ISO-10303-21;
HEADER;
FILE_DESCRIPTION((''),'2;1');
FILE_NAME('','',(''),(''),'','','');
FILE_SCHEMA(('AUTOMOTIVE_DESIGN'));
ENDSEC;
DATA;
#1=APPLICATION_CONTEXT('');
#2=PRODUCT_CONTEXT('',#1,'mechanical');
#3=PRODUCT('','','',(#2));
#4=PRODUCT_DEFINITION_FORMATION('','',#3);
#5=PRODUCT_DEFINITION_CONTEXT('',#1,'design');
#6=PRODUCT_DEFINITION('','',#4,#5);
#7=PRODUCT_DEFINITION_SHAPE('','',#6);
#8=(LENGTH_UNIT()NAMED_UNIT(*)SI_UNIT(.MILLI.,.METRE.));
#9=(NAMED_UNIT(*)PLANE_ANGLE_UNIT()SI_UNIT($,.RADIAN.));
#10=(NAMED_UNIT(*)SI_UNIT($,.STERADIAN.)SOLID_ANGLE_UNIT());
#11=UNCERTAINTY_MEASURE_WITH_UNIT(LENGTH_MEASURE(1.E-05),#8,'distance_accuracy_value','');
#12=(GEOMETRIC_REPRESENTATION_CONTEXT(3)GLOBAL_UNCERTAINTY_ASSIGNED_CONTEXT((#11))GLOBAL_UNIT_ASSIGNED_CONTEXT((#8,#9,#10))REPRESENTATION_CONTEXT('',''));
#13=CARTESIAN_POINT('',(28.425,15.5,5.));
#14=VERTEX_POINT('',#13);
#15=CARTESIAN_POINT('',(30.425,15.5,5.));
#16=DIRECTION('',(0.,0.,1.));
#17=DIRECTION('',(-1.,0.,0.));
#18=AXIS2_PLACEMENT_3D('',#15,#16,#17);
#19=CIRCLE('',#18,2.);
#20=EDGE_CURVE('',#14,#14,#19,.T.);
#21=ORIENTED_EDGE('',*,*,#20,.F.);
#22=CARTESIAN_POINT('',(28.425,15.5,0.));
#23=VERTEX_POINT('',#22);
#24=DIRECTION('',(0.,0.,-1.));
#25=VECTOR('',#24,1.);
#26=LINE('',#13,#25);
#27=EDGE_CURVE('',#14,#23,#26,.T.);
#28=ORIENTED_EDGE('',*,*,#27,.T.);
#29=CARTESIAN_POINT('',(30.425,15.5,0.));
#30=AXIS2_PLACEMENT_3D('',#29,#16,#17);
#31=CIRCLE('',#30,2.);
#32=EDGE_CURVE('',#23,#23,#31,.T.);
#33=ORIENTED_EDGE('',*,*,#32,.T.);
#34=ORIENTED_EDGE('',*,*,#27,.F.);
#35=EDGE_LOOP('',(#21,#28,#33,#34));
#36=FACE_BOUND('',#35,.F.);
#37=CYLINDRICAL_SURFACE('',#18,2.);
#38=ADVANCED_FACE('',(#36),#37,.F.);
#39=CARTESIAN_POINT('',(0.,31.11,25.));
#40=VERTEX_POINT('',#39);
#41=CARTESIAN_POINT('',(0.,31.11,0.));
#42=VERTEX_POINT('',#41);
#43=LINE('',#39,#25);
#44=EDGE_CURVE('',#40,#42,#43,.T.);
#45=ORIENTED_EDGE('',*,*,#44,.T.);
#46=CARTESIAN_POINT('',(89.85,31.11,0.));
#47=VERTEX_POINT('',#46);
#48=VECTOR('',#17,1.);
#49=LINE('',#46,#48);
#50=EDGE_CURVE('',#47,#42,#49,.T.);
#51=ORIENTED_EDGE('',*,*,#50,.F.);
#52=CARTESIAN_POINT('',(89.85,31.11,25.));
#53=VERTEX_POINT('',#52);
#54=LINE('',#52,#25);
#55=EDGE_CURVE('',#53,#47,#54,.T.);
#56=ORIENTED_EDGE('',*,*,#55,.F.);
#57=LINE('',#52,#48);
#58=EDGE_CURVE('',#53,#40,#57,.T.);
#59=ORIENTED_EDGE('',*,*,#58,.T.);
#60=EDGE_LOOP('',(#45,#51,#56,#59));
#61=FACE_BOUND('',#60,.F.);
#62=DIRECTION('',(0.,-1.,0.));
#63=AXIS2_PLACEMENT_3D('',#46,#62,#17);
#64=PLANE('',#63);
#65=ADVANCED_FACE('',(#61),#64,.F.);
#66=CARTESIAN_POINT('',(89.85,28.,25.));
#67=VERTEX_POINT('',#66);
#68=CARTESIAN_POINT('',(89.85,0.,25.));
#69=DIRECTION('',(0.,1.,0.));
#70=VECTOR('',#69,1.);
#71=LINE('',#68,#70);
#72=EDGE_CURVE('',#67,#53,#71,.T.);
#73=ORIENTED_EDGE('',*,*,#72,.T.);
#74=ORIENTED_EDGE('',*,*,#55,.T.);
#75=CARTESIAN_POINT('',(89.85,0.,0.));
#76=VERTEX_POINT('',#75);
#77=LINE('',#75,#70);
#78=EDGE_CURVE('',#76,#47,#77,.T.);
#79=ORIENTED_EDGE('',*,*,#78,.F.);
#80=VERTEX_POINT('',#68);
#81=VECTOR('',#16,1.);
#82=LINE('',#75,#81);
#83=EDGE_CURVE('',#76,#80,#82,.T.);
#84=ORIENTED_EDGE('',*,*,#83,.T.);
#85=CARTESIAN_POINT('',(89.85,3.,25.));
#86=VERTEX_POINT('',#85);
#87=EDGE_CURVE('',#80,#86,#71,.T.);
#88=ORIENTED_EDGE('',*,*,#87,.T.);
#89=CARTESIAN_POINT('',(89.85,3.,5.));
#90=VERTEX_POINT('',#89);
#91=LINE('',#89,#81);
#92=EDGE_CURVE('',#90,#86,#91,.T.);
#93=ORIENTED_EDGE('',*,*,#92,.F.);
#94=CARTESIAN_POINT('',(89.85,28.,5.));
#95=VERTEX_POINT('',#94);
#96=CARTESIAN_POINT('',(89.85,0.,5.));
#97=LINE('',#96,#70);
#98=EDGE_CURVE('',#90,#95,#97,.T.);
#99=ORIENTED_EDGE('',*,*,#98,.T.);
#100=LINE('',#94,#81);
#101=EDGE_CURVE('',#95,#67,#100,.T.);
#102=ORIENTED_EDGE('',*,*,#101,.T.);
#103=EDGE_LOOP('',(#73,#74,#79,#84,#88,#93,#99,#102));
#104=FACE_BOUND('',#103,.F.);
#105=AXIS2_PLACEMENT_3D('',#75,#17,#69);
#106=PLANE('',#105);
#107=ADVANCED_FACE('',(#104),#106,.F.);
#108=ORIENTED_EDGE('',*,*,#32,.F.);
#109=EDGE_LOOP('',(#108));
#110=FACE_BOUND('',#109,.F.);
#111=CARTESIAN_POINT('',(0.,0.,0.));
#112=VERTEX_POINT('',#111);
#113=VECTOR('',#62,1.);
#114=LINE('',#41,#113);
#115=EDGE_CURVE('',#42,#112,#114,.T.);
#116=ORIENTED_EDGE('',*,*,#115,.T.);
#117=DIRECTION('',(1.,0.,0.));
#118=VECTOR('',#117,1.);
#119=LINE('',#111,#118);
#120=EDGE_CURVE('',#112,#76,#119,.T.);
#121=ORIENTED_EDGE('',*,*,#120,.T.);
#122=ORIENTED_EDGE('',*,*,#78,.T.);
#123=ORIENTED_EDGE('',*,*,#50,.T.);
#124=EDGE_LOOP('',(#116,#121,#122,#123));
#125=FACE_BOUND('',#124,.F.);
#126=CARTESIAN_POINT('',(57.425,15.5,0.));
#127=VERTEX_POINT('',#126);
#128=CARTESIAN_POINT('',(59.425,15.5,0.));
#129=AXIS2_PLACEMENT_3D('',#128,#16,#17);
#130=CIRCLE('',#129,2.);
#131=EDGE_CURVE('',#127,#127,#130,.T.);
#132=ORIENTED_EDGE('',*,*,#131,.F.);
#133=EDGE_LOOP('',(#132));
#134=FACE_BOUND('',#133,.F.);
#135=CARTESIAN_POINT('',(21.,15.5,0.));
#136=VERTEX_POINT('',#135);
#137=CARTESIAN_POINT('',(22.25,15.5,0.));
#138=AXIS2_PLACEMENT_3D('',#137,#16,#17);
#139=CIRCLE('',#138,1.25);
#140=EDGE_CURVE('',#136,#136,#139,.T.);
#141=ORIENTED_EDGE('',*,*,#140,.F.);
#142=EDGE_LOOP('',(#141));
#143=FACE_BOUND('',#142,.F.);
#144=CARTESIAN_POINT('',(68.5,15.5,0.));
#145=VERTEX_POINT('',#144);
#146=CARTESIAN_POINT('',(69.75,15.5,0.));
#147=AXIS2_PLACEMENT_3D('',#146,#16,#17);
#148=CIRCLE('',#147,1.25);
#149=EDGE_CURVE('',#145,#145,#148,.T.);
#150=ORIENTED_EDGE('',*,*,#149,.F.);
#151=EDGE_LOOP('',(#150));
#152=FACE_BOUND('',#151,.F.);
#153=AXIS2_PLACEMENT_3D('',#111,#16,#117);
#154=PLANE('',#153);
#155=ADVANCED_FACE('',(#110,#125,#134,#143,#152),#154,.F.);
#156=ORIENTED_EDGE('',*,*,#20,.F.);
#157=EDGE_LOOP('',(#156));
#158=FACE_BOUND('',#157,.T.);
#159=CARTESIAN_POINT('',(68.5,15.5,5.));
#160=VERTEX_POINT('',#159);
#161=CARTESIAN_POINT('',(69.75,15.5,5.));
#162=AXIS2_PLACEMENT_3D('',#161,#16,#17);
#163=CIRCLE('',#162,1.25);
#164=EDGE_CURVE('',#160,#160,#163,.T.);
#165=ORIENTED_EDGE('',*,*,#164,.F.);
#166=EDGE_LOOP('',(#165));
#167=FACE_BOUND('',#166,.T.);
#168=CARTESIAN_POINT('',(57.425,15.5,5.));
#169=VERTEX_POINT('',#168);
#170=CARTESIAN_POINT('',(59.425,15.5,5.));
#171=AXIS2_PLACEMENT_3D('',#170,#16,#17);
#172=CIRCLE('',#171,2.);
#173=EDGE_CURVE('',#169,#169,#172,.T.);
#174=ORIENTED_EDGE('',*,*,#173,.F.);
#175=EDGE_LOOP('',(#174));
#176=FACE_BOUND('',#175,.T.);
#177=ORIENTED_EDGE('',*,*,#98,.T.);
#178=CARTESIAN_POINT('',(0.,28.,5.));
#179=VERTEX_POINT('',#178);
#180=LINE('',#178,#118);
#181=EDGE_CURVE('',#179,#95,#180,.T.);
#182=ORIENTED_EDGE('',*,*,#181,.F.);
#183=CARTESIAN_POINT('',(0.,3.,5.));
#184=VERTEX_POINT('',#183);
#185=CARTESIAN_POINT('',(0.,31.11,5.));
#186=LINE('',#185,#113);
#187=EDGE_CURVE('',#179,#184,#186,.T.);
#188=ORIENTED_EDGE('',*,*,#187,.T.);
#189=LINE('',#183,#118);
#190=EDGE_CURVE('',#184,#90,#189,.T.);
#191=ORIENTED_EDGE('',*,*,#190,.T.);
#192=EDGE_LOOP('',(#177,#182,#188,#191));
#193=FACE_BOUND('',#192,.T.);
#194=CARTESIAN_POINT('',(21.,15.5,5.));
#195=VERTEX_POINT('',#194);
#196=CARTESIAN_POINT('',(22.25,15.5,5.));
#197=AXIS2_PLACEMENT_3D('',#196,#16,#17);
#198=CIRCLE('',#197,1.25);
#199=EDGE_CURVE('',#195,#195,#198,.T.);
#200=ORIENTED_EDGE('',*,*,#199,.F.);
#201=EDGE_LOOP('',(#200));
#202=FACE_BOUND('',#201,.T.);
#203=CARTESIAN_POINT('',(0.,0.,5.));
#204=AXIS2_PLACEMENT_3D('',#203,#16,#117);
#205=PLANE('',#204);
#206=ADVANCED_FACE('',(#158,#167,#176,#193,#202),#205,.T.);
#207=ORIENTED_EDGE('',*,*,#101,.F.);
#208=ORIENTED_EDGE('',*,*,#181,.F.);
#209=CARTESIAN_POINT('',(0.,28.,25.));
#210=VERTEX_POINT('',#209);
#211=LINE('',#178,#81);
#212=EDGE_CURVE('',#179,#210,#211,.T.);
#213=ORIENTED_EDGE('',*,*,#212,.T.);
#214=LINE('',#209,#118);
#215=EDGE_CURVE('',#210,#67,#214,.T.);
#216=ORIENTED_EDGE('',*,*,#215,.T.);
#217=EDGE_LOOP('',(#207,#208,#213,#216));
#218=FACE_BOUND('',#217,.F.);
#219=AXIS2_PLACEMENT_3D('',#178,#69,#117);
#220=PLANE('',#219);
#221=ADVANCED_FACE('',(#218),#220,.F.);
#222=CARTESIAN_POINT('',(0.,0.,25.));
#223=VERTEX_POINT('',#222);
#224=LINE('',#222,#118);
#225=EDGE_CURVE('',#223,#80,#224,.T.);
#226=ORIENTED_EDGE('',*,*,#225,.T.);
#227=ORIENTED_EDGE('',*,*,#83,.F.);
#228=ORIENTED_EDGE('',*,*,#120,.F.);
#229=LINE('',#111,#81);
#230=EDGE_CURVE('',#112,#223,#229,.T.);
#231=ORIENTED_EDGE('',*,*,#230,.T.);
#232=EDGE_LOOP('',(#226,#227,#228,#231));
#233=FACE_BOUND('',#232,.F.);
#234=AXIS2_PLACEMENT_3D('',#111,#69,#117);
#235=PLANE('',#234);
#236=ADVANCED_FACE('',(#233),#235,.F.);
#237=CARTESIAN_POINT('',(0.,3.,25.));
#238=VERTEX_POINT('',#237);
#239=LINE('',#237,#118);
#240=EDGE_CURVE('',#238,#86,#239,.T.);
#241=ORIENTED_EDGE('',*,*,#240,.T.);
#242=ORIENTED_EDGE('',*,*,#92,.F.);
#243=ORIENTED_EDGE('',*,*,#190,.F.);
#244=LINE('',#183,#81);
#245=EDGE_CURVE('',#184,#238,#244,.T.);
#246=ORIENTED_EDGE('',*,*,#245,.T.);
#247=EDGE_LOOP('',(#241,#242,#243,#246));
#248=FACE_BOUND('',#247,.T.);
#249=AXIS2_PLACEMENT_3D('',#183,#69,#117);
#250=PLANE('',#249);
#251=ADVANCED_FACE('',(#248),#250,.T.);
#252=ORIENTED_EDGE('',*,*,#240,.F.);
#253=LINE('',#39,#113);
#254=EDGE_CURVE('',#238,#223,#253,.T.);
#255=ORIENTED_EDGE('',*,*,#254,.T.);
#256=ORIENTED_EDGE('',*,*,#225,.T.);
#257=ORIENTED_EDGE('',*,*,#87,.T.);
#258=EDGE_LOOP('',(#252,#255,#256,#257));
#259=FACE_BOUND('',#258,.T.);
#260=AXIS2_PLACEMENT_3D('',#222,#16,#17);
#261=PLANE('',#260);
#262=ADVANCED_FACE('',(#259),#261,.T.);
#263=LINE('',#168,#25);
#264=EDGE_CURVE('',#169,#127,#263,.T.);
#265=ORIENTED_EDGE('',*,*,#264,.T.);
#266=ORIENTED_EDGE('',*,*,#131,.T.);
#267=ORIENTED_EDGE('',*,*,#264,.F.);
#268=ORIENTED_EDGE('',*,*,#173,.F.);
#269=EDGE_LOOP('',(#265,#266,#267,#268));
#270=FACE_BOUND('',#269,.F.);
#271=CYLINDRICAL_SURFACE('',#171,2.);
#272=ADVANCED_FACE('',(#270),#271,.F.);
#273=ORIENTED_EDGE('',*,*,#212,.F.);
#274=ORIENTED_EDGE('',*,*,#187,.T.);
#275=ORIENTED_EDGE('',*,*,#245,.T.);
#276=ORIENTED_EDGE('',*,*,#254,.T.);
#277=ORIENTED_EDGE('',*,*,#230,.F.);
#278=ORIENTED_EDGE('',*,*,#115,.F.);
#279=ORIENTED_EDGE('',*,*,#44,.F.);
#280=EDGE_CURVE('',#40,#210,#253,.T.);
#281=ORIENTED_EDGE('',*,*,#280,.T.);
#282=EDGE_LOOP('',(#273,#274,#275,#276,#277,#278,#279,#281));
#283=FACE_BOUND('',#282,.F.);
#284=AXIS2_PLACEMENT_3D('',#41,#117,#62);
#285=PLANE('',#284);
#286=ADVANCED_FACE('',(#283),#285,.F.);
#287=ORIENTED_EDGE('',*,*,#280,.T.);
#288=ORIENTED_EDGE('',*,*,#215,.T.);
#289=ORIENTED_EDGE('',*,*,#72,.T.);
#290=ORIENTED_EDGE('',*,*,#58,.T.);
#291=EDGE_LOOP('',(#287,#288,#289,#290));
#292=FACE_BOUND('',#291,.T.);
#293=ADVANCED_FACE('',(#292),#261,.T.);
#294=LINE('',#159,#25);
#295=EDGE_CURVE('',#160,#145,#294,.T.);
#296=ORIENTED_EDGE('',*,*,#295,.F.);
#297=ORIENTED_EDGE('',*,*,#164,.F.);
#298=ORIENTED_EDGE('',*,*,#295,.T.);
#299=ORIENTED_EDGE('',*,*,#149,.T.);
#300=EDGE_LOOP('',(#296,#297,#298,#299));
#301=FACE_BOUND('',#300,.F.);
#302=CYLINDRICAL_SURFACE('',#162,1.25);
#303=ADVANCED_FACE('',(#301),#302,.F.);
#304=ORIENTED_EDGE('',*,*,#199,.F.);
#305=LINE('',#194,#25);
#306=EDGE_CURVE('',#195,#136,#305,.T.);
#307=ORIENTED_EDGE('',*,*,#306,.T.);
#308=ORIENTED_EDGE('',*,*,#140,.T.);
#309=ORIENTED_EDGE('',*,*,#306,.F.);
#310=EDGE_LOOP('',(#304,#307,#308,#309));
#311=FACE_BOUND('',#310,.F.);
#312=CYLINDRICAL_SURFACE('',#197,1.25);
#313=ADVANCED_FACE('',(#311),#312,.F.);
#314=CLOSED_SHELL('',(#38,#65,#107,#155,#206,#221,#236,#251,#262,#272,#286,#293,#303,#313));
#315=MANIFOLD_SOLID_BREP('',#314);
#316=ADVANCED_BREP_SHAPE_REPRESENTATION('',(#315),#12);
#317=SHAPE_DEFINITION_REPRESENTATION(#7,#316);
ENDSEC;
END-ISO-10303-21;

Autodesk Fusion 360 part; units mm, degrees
sketch "Sketch1" plane through (0, 0, 0) normal (0, 0, 1) x (1, 0, 0) in component "Mount"
  line L0 (0, 0) -> (89.85, 0)
  line L1 (89.85, 0) -> (89.85, 31.11)
  line L2 (89.85, 31.11) -> (0, 31.11)
  line L3 (0, 31.11) -> (0, 0)
  dimension "d1" = 89.85
  dimension "d2" = 31.11
extrude "Extrude1" add sketch "Sketch1" along normal blind 5 in component "Mount"
sketch "Sketch2" plane through (0, 0, 5) normal (0, 0, 1) x (-1, 0, 0) in component "Mount"
  line L0 (0, -31.11) -> (0, 0)
  line L1 (0, 0) -> (-89.85, 0)
  line L2 (-89.85, 0) -> (-89.85, -31.11)
  line L3 (-89.85, -31.11) -> (0, -31.11)
  line L4 (-44.925, -31.11) -> (-44.925, -28.11) construction
  line L5 (-44.925, 0) -> (-44.925, -3) construction
  line L6 (0, -3) -> (-89.85, -3)
  line L7 (0, -28) -> (-89.85, -28)
  dimension "d5" = 3
  dimension "d6" = 3
extrude "Extrude2" add sketch "Sketch2" along normal blind 20 contours L0 L2 L3 L7 | L0 L1 L2 L6 in component "Mount"
sketch "Sketch3" plane through (0, 0, 5) normal (0, 0, 1) x (-1, 0, 0) in component "Mount"
  line L0 (0, -3) -> (-89.85, -3)
  line L1 (-89.85, -3) -> (-89.85, -28)
  line L2 (-89.85, -28) -> (0, -28)
  line L3 (0, -28) -> (0, -3)
  line L4 (-44.925, -28) -> (-44.925, -3) construction
  line L5 (-89.85, -15.5) -> (0, -15.5) construction
  line L6 (-44.925, -15.5) -> (-63.425, -15.5) construction
  line L7 (-44.925, -15.5) -> (-26.425, -15.5) construction
  line L8 (-63.425, -15.5) -> (-59.425, -15.5) construction
  line L9 (-26.425, -15.5) -> (-30.425, -15.5) construction
  circle A0 centre (-30.425, -15.5) radius 4 construction
  circle A1 centre (-59.425, -15.5) radius 4 construction
  line L10 (0, -15.5) -> (-21, -15.5) construction
  line L11 (-21, -15.5) -> (-22.25, -15.5) construction
  circle A2 centre (-22.25, -15.5) radius 1.25
  line L12 (-23.5, -15.5) -> (-68.5, -15.5) construction
  line L13 (-68.5, -15.5) -> (-69.75, -15.5) construction
  circle A3 centre (-69.75, -15.5) radius 1.25
  circle A4 centre (-30.425, -15.5) radius 2
  circle A5 centre (-59.425, -15.5) radius 2
  dimension "d9" = 18.5
  dimension "d10" = 18.5
  dimension "d11" = 4
  dimension "d12" = 4
  dimension "d13" = 8
  dimension "d14" = 8
  dimension "d15" = 21
  dimension "d16" = 1.25
  dimension "d17" = 2.5
  dimension "d18" = 45
  dimension "d19" = 1.25
  dimension "d20" = 2.5
  dimension "d21" = 4
  dimension "d22" = 4
extrude "Extrude3" cut sketch "Sketch3" against normal blind 5 contours A2 | A3 | A4 | A5 in component "Mount"
component "Mount" placed x (1, 0, 0) y (0, 1, 0) z (0, 0, 1) at (0, 0, 0)
